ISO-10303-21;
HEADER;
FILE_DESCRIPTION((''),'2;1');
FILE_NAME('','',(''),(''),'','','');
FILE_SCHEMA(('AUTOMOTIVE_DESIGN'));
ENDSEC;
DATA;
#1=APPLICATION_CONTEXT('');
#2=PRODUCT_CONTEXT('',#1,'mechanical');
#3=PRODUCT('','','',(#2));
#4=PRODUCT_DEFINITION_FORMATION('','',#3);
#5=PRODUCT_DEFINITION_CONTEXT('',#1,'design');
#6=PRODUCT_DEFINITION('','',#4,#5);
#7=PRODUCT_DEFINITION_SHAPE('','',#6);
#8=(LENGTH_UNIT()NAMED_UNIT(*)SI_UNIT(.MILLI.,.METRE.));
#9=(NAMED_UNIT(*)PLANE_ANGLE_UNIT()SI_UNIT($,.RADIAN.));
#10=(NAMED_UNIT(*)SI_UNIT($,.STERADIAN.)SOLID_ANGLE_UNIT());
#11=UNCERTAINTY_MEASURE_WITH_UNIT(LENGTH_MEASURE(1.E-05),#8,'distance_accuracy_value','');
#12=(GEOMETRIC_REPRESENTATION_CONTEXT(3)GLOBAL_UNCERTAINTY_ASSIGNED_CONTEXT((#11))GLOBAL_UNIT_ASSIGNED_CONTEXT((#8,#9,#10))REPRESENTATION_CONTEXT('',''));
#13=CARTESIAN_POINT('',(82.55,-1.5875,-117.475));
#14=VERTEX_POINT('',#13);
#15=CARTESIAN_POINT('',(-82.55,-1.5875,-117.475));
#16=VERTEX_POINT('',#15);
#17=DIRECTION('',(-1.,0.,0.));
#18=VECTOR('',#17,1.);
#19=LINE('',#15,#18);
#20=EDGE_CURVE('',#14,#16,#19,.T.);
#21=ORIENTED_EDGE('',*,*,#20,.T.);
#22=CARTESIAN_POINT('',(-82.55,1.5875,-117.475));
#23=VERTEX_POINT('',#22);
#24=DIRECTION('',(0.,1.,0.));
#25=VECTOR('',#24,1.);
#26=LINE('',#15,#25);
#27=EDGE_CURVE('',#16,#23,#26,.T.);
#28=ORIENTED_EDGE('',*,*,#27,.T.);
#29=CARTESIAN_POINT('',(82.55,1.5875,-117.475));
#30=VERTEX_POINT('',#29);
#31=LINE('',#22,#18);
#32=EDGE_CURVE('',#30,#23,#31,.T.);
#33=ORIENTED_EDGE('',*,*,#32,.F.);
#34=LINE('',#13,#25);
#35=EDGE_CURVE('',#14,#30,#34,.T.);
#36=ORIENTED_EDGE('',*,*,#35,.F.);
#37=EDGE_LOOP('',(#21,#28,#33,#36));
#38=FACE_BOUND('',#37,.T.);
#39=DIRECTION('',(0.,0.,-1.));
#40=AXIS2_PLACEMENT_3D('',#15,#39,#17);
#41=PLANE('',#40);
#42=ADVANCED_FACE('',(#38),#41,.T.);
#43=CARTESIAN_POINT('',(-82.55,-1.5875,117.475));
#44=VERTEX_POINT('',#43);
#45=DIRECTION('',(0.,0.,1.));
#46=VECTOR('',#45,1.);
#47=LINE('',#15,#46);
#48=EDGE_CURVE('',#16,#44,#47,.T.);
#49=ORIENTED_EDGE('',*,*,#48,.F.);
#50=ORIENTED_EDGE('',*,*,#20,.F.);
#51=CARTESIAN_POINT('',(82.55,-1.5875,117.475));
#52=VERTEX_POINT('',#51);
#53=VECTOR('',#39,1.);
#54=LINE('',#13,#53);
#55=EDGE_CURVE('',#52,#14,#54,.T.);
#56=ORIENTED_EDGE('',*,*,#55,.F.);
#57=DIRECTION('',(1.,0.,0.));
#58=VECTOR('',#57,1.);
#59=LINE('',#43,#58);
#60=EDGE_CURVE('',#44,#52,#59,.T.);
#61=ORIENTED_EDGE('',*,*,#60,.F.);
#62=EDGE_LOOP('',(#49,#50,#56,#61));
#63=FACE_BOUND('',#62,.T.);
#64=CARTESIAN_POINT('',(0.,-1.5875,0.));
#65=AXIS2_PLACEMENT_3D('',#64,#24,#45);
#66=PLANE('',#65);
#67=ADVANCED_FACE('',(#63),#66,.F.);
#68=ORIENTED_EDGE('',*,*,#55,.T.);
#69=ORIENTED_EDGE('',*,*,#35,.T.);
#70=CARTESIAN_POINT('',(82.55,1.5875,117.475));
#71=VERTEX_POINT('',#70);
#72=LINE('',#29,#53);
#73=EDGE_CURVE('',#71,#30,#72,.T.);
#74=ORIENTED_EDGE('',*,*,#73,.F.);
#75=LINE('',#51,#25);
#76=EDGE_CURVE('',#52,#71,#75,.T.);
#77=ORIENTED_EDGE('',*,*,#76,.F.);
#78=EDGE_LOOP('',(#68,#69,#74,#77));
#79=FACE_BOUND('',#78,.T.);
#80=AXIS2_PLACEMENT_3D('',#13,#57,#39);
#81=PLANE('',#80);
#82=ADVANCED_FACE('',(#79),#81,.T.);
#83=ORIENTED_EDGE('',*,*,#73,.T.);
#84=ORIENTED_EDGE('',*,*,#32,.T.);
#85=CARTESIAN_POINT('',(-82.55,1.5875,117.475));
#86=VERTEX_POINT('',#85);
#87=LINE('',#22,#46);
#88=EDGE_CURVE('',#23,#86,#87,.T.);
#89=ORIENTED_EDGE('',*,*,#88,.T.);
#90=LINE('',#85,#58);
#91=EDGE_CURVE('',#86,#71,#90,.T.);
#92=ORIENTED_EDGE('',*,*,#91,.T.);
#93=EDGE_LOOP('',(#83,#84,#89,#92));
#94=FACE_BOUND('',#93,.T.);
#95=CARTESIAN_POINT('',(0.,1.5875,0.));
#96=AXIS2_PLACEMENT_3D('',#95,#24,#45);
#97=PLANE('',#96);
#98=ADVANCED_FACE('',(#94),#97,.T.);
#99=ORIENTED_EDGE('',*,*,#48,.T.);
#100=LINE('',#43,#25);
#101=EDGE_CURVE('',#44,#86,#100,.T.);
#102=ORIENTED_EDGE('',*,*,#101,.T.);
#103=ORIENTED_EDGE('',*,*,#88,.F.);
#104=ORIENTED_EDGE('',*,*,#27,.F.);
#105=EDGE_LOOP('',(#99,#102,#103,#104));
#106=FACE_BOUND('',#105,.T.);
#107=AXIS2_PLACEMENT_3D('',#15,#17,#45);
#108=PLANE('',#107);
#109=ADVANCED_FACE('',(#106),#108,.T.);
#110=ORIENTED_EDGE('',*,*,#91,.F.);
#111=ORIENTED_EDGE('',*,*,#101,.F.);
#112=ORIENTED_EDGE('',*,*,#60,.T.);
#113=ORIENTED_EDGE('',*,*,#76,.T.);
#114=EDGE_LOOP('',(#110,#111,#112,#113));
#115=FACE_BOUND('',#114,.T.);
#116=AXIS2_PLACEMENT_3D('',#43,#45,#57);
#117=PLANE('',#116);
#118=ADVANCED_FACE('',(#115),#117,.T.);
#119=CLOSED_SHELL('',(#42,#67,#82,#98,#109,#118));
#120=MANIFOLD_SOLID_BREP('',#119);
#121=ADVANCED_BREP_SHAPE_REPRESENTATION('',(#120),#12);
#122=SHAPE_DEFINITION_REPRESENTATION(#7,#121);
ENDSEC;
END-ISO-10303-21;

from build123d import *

# Parameters (mm, degrees)
BOSS_EXTRUDE1_DEPTH      = 1.5875
BOSS_EXTRUDE1_DEPTH_BACK = 1.5875
SKETCH1_W                = 165.1
SKETCH1_H                = 234.95


with BuildPart() as part:
    # Sketch1 → Boss-Extrude1 (new, two sides: drawn at the far end of the back side and taken through both)
    with BuildSketch(Plane(origin=(0, 0, 0), x_dir=(1, 0, 0), z_dir=(0, 1, 0)).offset(-BOSS_EXTRUDE1_DEPTH_BACK)):
        Rectangle(SKETCH1_W, SKETCH1_H)
    extrude(amount=BOSS_EXTRUDE1_DEPTH + BOSS_EXTRUDE1_DEPTH_BACK)


solid = part.part
